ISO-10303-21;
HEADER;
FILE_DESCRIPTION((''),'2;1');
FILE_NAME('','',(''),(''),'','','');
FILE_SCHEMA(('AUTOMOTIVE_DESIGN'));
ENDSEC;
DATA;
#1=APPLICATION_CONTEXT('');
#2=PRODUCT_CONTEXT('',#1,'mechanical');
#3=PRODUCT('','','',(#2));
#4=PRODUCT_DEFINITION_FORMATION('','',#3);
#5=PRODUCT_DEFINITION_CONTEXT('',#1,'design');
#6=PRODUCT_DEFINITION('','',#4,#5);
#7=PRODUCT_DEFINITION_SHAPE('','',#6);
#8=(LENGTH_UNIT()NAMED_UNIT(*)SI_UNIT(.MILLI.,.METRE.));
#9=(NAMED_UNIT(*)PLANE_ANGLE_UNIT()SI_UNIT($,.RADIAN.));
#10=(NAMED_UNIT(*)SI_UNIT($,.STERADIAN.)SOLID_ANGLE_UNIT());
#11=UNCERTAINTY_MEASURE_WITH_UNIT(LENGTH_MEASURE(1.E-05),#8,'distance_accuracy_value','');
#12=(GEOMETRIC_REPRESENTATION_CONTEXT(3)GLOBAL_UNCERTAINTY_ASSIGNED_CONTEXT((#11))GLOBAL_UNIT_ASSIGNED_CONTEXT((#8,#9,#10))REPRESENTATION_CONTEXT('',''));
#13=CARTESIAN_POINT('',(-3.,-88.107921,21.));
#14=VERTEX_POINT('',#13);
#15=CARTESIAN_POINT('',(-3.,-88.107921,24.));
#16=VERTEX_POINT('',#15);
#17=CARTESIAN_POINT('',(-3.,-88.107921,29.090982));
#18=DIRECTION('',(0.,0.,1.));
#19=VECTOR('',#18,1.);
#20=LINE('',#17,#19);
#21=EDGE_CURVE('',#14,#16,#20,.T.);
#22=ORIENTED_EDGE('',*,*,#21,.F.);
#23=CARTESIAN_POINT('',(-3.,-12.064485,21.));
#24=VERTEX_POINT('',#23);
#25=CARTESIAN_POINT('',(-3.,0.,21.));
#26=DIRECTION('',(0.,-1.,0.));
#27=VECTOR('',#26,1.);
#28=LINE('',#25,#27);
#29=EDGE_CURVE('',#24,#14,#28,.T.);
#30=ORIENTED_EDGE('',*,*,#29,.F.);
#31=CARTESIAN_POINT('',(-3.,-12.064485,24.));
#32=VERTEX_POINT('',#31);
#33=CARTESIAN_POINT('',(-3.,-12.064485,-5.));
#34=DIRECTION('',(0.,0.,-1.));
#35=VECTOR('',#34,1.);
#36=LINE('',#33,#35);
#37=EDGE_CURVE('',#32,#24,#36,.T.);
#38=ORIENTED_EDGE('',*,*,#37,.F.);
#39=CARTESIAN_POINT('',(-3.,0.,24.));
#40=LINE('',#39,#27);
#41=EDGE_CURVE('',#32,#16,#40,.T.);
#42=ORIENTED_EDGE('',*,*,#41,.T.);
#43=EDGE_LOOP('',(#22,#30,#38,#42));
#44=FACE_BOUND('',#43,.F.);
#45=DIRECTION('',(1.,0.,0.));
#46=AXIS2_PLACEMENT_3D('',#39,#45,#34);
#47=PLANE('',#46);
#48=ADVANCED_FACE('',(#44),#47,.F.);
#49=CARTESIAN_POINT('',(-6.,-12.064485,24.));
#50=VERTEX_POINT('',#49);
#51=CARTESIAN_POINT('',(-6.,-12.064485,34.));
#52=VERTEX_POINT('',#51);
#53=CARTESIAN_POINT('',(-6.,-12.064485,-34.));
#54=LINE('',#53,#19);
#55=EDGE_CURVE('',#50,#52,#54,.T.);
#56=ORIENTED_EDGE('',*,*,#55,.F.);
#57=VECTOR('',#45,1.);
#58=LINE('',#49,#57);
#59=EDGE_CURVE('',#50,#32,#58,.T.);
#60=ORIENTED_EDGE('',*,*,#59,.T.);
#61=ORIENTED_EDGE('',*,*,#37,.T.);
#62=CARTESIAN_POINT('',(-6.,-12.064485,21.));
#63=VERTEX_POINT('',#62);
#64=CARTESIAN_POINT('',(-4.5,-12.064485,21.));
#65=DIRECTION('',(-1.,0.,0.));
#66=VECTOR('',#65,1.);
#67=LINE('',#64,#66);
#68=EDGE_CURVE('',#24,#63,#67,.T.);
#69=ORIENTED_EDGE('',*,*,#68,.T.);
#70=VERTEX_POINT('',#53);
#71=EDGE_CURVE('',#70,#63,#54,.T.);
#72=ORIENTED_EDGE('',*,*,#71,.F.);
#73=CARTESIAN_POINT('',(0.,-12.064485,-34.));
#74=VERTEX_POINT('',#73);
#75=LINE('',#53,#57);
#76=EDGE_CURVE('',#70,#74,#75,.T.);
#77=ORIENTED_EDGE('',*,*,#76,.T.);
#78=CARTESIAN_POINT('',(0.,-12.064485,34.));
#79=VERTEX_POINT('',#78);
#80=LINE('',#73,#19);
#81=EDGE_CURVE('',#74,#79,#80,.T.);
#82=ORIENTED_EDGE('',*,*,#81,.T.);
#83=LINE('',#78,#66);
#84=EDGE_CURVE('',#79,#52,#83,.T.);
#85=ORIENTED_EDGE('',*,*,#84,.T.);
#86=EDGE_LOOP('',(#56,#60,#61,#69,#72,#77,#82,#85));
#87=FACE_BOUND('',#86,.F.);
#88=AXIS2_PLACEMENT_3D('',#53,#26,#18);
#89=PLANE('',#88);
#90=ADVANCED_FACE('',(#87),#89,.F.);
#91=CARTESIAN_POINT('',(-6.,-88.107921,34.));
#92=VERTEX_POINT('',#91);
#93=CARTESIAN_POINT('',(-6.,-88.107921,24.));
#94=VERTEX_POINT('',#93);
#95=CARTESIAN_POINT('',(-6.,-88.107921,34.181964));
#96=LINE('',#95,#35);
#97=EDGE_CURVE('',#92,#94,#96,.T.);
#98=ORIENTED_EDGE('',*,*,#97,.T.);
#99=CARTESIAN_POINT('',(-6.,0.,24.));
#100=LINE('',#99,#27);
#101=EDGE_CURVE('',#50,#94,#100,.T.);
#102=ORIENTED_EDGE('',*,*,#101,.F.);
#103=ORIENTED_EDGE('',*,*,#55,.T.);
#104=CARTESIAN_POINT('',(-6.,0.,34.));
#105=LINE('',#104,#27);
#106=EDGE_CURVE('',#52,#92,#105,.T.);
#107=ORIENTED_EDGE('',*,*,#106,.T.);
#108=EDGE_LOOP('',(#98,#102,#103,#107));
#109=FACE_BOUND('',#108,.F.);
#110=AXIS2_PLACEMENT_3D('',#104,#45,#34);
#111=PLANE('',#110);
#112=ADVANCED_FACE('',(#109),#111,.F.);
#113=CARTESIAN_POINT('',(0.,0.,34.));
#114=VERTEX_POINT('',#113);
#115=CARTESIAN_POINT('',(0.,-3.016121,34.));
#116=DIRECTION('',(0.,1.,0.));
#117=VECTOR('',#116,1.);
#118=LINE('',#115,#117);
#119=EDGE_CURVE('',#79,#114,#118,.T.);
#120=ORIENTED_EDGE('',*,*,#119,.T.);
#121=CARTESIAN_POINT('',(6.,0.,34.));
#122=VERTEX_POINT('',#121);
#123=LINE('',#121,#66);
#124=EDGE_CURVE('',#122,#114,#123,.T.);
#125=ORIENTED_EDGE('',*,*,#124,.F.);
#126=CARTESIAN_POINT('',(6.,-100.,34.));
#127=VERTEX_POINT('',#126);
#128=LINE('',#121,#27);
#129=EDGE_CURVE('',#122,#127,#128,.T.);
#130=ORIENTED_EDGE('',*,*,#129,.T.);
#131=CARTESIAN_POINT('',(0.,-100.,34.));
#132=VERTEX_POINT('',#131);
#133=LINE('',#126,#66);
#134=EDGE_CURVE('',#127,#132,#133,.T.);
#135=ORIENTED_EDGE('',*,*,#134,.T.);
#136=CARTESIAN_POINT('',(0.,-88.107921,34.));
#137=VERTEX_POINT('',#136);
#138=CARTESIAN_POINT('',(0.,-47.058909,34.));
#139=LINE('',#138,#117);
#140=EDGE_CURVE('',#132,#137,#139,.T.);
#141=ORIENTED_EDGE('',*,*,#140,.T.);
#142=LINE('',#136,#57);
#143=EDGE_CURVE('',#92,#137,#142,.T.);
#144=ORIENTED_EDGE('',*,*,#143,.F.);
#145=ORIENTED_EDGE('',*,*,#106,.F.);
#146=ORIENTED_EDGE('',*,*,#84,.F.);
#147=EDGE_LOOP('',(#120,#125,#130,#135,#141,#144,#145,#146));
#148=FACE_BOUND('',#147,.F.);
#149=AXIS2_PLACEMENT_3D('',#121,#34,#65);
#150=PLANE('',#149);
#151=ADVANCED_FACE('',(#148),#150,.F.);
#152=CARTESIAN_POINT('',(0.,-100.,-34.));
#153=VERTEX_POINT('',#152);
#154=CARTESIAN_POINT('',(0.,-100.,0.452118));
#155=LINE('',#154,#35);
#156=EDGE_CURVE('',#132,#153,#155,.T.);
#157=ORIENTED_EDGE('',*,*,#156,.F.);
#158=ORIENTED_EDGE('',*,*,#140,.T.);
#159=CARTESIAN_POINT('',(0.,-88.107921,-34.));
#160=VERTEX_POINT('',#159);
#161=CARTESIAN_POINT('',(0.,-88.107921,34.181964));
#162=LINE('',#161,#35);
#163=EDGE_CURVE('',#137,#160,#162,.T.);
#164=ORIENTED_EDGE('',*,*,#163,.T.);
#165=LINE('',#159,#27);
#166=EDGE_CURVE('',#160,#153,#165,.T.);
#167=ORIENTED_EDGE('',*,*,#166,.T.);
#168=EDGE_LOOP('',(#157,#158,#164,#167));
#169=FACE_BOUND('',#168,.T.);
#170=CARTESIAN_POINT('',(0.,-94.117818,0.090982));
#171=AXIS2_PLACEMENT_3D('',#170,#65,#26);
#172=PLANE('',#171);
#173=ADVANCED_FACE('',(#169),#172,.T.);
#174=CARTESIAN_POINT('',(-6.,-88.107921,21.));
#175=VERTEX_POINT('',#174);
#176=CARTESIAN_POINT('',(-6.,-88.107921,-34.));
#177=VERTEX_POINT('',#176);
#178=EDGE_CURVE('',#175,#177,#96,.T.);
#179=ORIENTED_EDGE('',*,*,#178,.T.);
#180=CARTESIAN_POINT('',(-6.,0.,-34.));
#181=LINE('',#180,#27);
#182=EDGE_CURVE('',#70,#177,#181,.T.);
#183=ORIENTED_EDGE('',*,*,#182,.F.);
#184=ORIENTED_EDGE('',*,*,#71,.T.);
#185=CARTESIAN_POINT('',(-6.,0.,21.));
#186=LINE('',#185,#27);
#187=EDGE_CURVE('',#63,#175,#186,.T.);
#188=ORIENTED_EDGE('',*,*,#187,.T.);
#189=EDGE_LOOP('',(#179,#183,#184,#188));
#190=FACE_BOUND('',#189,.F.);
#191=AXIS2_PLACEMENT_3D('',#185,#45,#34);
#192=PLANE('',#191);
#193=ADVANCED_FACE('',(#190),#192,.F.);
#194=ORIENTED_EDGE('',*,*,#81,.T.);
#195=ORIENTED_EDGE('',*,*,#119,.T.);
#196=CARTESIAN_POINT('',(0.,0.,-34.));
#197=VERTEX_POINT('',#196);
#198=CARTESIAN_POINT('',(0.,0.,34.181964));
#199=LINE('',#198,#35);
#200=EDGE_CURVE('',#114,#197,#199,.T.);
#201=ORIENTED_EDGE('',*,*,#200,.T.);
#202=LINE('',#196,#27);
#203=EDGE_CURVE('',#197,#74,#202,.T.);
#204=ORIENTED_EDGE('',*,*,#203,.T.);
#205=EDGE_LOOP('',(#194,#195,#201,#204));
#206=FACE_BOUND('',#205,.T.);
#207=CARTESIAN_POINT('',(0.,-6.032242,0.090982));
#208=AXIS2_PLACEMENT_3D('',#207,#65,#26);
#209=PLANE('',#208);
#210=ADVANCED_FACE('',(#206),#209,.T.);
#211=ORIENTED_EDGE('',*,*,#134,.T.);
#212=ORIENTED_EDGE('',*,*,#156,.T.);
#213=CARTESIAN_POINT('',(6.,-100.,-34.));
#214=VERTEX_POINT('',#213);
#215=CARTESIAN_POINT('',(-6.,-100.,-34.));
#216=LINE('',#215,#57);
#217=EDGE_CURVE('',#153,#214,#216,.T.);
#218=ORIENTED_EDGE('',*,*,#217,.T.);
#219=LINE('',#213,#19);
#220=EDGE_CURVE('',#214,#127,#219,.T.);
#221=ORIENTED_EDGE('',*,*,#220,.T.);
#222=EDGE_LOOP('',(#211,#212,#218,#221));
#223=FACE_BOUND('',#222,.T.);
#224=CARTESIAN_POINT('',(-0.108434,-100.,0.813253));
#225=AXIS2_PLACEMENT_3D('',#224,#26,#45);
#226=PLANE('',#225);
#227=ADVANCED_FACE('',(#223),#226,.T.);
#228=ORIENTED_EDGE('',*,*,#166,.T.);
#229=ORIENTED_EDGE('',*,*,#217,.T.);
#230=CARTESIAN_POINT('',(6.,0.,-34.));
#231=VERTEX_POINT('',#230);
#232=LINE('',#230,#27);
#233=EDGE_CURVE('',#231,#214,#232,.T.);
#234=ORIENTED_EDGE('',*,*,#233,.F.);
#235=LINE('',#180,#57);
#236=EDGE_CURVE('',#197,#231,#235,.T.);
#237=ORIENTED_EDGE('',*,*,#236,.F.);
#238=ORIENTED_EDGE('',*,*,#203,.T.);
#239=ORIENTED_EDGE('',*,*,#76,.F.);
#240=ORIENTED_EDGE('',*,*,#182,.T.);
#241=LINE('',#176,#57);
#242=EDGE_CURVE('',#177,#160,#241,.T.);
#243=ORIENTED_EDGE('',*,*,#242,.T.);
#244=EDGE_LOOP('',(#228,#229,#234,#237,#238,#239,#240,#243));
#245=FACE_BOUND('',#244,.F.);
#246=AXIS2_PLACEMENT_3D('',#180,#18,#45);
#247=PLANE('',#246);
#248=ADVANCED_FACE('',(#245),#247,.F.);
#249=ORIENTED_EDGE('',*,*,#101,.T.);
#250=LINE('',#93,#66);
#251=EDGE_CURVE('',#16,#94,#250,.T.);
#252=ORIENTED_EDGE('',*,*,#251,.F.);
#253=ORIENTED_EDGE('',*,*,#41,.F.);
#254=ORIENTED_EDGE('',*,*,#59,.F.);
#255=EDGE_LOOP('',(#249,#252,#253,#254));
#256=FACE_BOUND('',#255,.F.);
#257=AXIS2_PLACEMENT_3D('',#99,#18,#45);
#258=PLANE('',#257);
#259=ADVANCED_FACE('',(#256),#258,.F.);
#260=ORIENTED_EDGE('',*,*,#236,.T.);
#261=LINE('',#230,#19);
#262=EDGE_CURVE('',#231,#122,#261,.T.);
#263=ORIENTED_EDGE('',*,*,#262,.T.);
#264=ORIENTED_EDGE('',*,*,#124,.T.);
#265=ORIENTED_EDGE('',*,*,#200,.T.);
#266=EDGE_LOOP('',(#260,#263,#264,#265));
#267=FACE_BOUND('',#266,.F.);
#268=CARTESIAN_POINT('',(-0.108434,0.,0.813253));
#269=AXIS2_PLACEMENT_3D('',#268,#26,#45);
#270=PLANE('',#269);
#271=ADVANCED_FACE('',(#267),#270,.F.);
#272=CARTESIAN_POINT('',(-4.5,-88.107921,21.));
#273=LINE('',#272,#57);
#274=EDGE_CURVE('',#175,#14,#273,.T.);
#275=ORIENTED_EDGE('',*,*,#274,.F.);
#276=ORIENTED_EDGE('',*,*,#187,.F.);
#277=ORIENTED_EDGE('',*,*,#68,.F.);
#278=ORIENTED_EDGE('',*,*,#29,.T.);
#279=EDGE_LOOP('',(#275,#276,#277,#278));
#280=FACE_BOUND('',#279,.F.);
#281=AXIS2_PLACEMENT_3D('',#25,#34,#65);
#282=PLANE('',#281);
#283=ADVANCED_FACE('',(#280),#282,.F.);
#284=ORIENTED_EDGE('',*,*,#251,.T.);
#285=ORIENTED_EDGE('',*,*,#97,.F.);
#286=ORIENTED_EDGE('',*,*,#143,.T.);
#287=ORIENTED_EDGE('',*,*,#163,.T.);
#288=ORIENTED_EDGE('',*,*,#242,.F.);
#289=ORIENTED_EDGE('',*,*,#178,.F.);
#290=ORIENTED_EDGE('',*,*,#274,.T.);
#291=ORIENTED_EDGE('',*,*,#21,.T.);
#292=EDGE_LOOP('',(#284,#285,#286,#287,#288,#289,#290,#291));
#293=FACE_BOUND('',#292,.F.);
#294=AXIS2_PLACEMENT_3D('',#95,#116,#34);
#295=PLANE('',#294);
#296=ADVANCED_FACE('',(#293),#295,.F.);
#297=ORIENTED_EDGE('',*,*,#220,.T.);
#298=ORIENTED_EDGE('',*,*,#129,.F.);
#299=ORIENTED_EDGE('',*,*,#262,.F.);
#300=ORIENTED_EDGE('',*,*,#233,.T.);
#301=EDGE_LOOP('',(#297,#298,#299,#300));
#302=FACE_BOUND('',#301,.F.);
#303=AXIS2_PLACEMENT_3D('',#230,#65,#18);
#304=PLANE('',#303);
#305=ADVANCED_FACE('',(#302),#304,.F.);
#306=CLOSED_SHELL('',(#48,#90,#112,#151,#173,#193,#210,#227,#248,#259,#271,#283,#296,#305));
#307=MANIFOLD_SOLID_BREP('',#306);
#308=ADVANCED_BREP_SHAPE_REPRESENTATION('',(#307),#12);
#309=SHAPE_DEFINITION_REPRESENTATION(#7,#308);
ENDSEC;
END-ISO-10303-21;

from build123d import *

# Parameters (mm, degrees)
F1_DEPTH = 100
F3_DEPTH = 6
F5_DEPTH = 6


with BuildPart() as f1:
    # F0 (on Front) → F1 (new body)
    with BuildSketch(Plane.XZ):
        Polygon((-6, -34), (6, -34), (6, 34), (-6, 34), (-6, 24), (-3, 24), (-3, 21), (-6, 21), align=None)
    extrude(amount=F1_DEPTH)

    # F2 (on face) → F3 (cut)
    with BuildSketch(Plane(origin=(-6, 0, 0), x_dir=(0, -1, 0), z_dir=(-1, 0, 0))):
        Polygon((100.127715, -34), (100.127715, 34.181964), (88.127715, 34.181964), (88.107921, 34.181964), (88.107921, -34), align=None)
    extrude(amount=-F3_DEPTH, mode=Mode.SUBTRACT)

    # F4 (on face) → F5 (cut)
    with BuildSketch(Plane(origin=(-6, 0, 0), x_dir=(0, -1, 0), z_dir=(-1, 0, 0))):
        Polygon((12.064485, 34.181964), (0.814515, 34.181964), (0, 34.181964), (0, -34), (12.064485, -34), align=None)
    extrude(amount=-F5_DEPTH, mode=Mode.SUBTRACT)


solid = f1.part
